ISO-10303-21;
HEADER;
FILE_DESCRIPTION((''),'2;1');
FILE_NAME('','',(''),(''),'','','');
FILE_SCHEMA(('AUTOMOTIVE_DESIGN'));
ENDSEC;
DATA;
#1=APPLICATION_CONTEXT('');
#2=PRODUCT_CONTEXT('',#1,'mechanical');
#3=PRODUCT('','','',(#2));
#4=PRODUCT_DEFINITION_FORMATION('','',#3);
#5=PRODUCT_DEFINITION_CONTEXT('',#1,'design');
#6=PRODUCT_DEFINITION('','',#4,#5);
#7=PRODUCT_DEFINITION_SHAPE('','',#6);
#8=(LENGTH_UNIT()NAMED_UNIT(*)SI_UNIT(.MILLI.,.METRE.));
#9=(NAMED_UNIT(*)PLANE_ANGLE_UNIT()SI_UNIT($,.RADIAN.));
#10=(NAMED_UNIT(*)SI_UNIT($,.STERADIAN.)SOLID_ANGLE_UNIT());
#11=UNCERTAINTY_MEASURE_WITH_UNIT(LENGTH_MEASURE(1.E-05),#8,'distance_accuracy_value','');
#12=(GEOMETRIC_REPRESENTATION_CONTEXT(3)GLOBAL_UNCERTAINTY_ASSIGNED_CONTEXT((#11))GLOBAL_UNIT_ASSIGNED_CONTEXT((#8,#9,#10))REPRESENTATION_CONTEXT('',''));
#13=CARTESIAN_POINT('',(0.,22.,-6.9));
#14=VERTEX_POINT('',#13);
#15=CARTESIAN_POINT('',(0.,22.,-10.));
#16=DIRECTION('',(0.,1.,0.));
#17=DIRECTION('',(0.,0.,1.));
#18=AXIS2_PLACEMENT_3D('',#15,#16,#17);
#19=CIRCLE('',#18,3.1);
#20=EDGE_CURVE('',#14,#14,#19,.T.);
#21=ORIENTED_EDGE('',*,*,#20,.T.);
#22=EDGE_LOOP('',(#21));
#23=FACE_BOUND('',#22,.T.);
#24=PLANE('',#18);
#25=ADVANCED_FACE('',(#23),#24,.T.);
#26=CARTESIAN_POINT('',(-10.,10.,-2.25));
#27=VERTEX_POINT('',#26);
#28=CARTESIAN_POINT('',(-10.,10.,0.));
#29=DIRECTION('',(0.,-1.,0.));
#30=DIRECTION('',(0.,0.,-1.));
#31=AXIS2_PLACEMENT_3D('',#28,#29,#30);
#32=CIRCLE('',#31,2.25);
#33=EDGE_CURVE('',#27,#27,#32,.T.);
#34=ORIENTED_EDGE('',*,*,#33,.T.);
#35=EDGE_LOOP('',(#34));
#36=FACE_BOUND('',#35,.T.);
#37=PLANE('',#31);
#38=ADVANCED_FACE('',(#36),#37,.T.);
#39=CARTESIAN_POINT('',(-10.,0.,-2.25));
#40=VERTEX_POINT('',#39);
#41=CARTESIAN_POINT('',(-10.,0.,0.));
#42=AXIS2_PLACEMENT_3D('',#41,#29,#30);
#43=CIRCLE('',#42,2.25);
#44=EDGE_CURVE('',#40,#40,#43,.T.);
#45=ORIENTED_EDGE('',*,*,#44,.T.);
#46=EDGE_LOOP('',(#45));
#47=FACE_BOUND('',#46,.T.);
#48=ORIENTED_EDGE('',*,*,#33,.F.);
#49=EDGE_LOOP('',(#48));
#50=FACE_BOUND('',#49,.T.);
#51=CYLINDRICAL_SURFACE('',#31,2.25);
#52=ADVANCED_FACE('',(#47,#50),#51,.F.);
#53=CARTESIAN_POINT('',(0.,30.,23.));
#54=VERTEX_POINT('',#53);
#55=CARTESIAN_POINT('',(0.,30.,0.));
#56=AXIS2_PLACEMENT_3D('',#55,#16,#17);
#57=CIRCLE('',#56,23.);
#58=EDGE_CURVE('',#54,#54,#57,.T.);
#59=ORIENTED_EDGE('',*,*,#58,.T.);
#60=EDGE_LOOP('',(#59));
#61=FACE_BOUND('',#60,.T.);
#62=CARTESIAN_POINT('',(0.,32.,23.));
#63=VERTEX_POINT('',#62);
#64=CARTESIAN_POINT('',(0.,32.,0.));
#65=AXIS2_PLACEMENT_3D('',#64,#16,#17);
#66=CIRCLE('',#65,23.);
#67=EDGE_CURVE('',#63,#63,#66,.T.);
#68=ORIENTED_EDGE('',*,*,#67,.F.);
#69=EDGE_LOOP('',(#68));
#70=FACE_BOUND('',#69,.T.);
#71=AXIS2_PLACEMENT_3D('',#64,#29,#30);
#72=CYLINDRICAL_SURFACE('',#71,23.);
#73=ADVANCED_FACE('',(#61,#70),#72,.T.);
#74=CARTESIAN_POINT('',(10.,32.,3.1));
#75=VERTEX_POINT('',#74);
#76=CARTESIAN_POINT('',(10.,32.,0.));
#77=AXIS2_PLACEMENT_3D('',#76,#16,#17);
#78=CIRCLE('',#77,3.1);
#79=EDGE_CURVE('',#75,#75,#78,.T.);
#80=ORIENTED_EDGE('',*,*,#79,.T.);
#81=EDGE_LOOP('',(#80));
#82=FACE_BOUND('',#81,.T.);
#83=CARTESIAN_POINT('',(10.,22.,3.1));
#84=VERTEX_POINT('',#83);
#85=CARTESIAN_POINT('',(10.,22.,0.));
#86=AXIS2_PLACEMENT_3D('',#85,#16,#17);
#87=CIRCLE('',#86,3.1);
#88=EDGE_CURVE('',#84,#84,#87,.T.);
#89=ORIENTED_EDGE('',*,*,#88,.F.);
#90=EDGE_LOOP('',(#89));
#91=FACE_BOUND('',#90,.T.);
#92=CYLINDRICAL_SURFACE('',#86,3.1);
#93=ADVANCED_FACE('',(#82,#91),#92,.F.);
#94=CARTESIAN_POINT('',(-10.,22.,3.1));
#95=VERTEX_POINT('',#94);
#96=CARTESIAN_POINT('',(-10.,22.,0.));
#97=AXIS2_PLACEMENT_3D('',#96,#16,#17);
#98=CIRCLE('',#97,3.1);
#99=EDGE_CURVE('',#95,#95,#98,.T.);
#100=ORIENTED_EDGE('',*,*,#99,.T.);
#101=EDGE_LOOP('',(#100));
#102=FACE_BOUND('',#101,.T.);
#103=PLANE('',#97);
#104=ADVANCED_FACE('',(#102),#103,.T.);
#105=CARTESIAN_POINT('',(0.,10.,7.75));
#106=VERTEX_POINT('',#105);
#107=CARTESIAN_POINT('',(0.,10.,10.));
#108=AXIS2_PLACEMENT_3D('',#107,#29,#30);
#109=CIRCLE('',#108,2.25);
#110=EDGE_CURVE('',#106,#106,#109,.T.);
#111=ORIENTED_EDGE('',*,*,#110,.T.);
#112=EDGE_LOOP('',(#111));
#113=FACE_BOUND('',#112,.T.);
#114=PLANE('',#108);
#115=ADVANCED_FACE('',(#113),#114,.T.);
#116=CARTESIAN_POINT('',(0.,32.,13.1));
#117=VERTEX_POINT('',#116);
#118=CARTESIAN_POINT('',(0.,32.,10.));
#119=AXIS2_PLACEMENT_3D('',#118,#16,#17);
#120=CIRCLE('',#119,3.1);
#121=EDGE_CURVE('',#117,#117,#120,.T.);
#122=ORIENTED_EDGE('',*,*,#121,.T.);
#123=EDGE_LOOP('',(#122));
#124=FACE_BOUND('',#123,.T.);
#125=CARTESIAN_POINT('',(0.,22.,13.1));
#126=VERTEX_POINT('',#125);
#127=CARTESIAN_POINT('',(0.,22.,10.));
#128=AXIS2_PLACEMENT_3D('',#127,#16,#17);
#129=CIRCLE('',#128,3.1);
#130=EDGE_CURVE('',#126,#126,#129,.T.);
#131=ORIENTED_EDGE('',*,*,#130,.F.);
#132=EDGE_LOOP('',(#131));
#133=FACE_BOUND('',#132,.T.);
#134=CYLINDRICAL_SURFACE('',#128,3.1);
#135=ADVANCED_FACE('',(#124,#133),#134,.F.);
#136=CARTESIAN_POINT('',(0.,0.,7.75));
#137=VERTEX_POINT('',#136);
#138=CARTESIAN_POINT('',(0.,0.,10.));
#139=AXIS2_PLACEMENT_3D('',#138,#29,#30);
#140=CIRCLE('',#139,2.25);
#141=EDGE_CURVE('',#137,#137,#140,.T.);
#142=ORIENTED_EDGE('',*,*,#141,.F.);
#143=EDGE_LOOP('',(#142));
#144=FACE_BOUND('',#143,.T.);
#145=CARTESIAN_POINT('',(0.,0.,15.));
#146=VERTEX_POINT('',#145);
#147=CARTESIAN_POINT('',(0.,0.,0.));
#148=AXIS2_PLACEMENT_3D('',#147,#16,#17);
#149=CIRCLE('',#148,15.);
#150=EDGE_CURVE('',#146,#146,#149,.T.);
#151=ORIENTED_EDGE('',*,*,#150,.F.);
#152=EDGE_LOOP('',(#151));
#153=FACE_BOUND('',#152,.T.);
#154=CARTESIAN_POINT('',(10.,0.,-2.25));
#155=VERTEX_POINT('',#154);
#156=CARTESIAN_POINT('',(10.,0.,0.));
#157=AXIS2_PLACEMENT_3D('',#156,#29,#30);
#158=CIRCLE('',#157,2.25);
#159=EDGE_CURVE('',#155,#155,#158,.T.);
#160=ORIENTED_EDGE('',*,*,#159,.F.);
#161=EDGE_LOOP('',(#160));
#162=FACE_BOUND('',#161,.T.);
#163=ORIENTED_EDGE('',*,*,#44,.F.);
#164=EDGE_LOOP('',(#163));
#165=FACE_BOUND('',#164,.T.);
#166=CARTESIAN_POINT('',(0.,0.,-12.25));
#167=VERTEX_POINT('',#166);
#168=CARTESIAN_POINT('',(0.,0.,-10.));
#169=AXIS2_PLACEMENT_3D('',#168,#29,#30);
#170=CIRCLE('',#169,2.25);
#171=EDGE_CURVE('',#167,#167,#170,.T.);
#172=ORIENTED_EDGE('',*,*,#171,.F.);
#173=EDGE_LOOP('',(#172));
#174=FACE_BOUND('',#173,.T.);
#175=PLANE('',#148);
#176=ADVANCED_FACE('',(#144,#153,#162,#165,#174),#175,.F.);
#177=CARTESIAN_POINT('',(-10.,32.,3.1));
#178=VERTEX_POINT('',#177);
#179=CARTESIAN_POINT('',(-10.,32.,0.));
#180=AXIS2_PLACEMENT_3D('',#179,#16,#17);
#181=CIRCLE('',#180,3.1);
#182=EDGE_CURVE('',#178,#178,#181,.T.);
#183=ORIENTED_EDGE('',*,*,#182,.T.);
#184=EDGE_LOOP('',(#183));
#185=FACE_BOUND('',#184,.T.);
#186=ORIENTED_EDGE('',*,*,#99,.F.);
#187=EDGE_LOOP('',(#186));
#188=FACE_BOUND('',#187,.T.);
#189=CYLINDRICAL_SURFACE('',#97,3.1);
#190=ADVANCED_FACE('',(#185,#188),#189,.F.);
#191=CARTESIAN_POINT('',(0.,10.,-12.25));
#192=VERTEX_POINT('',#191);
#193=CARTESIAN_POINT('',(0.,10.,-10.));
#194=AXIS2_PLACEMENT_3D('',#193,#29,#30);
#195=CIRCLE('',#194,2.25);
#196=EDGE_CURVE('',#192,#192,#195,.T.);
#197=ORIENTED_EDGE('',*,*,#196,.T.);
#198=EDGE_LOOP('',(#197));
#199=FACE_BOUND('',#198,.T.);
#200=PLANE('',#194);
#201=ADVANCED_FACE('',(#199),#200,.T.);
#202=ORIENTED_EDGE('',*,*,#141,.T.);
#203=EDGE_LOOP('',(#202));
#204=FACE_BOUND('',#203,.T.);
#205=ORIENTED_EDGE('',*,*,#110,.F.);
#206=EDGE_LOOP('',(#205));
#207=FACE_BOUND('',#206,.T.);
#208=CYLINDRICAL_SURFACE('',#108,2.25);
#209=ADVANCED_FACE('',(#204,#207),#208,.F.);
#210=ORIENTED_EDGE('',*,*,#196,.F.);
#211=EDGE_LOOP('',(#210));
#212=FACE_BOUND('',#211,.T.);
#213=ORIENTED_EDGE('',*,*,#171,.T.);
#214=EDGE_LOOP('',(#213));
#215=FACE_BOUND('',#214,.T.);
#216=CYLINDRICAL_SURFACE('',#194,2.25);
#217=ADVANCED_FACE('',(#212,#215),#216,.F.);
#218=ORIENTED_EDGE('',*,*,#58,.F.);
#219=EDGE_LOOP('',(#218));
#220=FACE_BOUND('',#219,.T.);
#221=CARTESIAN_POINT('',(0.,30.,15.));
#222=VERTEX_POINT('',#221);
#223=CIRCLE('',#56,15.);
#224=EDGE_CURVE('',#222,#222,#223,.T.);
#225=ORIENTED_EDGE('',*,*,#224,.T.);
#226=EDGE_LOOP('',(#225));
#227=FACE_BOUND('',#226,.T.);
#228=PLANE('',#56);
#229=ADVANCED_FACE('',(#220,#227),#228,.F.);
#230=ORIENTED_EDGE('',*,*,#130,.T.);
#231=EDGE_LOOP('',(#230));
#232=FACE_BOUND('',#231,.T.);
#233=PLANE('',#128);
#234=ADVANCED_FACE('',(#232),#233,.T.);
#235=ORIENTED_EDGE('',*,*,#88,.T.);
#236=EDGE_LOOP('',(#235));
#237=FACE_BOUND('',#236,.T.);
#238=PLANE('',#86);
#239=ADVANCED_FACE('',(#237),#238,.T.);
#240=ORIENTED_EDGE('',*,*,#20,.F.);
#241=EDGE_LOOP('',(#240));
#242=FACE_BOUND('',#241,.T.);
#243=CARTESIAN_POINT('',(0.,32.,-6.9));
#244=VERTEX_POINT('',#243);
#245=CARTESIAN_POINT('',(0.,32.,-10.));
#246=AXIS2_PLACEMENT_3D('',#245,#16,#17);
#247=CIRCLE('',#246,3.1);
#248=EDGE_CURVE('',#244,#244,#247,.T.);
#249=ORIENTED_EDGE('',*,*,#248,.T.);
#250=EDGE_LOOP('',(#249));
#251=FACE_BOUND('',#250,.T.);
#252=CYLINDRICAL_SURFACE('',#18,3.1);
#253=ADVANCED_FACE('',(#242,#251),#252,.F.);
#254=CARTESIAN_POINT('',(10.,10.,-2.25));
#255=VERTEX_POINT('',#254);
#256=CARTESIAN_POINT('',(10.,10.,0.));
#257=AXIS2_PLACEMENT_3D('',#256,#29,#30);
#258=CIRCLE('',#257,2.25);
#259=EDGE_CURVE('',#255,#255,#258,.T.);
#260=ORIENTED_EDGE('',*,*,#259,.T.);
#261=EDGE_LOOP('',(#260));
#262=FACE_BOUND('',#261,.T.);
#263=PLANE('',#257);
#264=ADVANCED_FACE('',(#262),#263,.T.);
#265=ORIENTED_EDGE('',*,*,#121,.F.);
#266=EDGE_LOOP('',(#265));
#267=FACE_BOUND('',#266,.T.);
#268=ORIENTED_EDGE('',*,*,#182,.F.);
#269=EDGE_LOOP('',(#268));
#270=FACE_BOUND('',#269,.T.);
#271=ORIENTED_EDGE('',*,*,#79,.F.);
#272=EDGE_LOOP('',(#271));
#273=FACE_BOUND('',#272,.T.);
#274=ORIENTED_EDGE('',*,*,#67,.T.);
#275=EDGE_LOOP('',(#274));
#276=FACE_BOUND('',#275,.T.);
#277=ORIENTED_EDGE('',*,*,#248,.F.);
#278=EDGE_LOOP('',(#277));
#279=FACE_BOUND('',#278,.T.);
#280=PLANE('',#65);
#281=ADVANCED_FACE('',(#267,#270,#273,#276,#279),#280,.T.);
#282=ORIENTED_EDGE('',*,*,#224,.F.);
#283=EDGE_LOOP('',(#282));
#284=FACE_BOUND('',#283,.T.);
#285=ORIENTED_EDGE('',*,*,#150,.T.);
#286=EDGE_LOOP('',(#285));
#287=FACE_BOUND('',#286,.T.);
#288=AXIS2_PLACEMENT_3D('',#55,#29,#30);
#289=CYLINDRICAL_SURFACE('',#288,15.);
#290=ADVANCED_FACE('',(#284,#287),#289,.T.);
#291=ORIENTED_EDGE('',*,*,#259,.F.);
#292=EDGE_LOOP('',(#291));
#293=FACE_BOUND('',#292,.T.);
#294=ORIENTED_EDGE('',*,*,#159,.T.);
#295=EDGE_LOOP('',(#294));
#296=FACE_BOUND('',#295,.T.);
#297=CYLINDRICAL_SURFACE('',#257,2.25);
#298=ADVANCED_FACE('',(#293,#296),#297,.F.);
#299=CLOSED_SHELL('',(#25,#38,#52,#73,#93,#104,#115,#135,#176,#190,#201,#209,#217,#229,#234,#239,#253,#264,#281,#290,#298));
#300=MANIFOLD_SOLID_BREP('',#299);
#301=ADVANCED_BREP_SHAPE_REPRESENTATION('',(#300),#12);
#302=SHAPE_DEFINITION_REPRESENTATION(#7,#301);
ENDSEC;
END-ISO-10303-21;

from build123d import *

# Parameters (mm, degrees)
SKETCH1_R           = 15
BOSS_EXTRUDE1_DEPTH = 30
SKETCH2_R           = 23
BOSS_EXTRUDE2_DEPTH = 2
SKETCH3_R           = 2.25
CUT_EXTRUDE1_DEPTH  = 10
SKETCH4_R           = 3.1
CUT_EXTRUDE2_DEPTH  = 10


with BuildPart() as part:
    # Sketch1 → Boss-Extrude1 (new body)
    with BuildSketch(Plane(origin=(0, 0, 0), x_dir=(1, 0, 0), z_dir=(0, 1, 0))):
        Circle(SKETCH1_R)
    extrude(amount=BOSS_EXTRUDE1_DEPTH)

    # Sketch2 → Boss-Extrude2 (add)
    with BuildSketch(Plane(origin=(0, 30, 0), x_dir=(1, 0, 0), z_dir=(0, 1, 0))):
        Circle(SKETCH2_R)
    extrude(amount=BOSS_EXTRUDE2_DEPTH)

    # Sketch3 → Cut-Extrude1 (cut)
    with BuildSketch(Plane.XZ):
        with Locations((0, 10)):
            Circle(SKETCH3_R)
        with Locations((10, 0)):
            Circle(SKETCH3_R)
        with Locations((0, -10)):
            Circle(SKETCH3_R)
        with Locations((-10, 0)):
            Circle(SKETCH3_R)
    extrude(amount=-CUT_EXTRUDE1_DEPTH, mode=Mode.SUBTRACT)

    # Sketch4 → Cut-Extrude2 (cut)
    with BuildSketch(Plane(origin=(0, 32, 0), x_dir=(1, 0, 0), z_dir=(0, 1, 0))):
        with Locations((0, 10)):
            Circle(SKETCH4_R)
        with Locations((10, 0)):
            Circle(SKETCH4_R)
        with Locations((0, -10)):
            Circle(SKETCH4_R)
        with Locations((-10, 0)):
            Circle(SKETCH4_R)
    extrude(amount=-CUT_EXTRUDE2_DEPTH, mode=Mode.SUBTRACT)


solid = part.part
